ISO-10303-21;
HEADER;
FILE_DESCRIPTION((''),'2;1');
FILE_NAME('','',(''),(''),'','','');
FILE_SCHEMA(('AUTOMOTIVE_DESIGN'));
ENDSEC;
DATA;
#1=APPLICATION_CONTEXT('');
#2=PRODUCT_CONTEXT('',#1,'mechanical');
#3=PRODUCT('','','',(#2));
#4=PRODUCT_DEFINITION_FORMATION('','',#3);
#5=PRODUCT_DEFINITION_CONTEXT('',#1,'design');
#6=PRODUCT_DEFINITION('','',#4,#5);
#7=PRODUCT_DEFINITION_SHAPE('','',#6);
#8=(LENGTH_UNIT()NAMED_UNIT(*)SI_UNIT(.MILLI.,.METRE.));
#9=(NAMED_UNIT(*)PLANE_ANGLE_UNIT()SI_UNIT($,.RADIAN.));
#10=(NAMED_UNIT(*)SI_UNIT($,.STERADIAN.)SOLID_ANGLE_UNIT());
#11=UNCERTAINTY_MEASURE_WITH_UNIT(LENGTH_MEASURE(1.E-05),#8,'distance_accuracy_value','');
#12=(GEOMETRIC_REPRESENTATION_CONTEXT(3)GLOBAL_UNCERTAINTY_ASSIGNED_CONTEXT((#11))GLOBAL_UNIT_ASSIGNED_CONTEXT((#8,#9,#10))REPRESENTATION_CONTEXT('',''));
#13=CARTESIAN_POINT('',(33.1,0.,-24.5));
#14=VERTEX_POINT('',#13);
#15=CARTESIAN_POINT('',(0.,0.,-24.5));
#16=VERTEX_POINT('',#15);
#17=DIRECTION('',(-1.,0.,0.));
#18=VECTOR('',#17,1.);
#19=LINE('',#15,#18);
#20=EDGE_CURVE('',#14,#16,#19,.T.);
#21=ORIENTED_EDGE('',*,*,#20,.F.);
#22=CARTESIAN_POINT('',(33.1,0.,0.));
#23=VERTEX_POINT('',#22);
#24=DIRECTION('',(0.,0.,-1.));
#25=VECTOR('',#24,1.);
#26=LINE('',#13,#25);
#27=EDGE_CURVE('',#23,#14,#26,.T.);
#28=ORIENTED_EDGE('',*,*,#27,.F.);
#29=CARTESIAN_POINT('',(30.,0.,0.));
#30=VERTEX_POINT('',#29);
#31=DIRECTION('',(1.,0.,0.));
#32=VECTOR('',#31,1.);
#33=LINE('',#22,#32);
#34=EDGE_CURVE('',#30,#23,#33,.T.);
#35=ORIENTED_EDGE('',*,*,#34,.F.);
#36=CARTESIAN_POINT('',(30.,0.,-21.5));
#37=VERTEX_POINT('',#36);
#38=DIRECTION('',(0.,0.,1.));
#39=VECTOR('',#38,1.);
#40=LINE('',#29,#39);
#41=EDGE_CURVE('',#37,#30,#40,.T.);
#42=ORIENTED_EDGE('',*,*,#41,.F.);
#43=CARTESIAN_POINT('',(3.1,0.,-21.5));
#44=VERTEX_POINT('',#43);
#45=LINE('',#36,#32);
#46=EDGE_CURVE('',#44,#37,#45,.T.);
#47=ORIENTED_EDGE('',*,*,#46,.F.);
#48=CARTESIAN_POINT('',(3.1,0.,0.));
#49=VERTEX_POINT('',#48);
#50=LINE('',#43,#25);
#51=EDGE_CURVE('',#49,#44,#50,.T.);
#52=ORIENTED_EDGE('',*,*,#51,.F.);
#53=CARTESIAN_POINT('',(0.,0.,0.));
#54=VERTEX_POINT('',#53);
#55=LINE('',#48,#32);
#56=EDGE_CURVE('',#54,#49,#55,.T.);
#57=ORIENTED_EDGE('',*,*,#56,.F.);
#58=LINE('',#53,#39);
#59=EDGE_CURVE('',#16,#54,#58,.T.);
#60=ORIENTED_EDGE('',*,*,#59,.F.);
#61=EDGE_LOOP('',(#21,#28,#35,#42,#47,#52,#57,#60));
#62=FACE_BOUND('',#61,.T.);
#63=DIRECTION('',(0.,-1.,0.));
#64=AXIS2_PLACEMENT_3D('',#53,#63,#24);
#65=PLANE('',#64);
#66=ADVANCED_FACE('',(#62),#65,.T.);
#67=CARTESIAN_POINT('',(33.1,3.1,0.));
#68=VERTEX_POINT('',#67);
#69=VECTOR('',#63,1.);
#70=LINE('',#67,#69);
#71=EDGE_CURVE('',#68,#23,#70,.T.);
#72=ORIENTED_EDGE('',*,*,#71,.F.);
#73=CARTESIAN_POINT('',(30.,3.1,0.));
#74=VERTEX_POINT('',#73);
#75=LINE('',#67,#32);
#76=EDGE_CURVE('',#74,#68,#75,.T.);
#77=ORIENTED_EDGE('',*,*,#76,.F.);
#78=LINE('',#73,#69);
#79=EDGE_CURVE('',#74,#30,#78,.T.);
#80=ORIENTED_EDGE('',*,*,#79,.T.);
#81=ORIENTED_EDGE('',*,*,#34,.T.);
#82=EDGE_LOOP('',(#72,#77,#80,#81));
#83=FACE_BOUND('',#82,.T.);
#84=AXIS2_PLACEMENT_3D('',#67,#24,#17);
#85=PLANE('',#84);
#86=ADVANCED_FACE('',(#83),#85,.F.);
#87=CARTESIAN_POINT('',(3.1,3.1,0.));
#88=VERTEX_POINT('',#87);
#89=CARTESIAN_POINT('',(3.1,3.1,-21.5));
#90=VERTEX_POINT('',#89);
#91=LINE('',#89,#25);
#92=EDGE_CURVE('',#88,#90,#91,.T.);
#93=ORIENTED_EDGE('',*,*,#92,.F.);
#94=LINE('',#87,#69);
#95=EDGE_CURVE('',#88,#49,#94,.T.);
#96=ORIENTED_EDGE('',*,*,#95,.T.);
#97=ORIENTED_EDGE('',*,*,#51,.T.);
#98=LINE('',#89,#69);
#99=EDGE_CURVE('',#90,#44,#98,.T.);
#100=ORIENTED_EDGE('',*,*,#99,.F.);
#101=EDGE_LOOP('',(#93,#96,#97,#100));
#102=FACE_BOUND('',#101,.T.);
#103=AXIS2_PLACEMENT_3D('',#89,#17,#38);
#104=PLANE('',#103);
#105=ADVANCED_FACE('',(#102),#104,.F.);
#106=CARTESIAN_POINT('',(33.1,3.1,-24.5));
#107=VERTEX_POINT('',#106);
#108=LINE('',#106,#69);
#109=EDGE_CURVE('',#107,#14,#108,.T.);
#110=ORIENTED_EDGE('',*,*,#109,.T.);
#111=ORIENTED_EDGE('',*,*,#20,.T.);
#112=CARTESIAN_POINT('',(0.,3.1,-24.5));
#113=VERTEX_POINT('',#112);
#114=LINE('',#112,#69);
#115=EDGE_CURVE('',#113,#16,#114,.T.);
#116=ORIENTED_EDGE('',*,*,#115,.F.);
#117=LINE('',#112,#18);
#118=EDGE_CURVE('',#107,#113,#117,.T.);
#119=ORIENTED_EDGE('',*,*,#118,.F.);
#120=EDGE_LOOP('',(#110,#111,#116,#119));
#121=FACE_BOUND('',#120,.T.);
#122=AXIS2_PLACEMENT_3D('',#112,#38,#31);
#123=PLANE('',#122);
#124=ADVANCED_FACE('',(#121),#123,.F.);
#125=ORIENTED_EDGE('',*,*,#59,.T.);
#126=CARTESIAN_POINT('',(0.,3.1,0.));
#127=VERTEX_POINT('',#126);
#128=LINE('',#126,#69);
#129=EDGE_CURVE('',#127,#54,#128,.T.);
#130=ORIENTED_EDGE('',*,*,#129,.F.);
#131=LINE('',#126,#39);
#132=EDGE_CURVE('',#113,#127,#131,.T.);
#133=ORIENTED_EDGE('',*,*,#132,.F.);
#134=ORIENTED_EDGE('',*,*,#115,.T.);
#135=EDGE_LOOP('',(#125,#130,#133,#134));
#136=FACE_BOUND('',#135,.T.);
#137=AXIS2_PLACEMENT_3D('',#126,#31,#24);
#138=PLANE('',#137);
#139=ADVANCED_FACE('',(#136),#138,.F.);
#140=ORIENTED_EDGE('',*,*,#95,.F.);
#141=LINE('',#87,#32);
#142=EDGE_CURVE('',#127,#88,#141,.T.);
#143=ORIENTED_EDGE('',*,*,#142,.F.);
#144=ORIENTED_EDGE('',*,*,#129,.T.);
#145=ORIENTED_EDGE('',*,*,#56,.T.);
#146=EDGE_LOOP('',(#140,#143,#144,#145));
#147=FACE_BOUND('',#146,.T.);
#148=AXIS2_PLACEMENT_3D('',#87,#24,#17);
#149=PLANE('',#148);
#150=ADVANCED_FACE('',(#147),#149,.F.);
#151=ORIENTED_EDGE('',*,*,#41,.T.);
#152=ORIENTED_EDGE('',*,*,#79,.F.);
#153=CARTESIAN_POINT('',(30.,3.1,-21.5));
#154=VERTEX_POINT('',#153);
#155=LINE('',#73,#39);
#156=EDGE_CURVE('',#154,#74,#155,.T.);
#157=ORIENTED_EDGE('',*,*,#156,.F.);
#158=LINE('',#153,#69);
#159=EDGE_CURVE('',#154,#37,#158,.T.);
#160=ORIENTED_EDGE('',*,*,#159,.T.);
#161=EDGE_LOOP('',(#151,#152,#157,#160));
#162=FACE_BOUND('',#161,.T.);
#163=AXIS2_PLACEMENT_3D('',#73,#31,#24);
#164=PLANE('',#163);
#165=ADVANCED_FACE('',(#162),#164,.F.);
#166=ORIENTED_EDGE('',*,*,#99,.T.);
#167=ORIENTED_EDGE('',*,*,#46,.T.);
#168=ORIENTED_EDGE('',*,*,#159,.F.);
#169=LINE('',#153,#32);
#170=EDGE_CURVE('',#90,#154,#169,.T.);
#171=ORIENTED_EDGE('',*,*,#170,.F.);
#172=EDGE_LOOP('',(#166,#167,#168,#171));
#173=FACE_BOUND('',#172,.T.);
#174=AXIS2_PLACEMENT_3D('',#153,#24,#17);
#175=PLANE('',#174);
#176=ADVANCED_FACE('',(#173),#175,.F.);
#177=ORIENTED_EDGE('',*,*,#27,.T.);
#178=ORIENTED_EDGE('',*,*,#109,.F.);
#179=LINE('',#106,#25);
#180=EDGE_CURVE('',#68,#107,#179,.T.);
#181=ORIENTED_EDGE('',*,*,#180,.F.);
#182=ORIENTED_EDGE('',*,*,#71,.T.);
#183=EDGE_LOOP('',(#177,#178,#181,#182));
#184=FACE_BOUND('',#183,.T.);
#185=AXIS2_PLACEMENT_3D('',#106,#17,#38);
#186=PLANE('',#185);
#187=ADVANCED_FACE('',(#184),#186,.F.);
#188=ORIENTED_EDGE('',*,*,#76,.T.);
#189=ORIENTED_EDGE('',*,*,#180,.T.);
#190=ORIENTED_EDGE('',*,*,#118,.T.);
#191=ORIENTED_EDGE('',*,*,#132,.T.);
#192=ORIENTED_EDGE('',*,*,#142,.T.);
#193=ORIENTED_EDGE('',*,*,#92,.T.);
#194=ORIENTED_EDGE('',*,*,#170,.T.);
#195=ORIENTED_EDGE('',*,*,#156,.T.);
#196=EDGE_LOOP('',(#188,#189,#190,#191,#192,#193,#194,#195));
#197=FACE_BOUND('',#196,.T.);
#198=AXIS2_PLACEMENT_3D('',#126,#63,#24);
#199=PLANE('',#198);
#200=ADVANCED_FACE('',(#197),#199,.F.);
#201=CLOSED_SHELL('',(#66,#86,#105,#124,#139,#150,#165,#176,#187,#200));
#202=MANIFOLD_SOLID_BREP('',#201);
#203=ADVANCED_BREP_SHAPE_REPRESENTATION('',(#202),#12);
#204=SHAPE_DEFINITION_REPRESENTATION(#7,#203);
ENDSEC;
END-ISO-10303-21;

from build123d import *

# Parameters (mm, degrees)
BOSS_EXTRUDE1_DEPTH = 3.1


with BuildPart() as part:
    # Sketch1 → Boss-Extrude1 (new body)
    with BuildSketch(Plane(origin=(0, 0, 0), x_dir=(1, 0, 0), z_dir=(0, 1, 0))):
        Polygon((0, 0), (0, 24.5), (33.1, 24.5), (33.1, 0), (30, 0), (30, 21.5), (3.1, 21.5), (3.1, 0), align=None)
    extrude(amount=BOSS_EXTRUDE1_DEPTH)


solid = part.part
